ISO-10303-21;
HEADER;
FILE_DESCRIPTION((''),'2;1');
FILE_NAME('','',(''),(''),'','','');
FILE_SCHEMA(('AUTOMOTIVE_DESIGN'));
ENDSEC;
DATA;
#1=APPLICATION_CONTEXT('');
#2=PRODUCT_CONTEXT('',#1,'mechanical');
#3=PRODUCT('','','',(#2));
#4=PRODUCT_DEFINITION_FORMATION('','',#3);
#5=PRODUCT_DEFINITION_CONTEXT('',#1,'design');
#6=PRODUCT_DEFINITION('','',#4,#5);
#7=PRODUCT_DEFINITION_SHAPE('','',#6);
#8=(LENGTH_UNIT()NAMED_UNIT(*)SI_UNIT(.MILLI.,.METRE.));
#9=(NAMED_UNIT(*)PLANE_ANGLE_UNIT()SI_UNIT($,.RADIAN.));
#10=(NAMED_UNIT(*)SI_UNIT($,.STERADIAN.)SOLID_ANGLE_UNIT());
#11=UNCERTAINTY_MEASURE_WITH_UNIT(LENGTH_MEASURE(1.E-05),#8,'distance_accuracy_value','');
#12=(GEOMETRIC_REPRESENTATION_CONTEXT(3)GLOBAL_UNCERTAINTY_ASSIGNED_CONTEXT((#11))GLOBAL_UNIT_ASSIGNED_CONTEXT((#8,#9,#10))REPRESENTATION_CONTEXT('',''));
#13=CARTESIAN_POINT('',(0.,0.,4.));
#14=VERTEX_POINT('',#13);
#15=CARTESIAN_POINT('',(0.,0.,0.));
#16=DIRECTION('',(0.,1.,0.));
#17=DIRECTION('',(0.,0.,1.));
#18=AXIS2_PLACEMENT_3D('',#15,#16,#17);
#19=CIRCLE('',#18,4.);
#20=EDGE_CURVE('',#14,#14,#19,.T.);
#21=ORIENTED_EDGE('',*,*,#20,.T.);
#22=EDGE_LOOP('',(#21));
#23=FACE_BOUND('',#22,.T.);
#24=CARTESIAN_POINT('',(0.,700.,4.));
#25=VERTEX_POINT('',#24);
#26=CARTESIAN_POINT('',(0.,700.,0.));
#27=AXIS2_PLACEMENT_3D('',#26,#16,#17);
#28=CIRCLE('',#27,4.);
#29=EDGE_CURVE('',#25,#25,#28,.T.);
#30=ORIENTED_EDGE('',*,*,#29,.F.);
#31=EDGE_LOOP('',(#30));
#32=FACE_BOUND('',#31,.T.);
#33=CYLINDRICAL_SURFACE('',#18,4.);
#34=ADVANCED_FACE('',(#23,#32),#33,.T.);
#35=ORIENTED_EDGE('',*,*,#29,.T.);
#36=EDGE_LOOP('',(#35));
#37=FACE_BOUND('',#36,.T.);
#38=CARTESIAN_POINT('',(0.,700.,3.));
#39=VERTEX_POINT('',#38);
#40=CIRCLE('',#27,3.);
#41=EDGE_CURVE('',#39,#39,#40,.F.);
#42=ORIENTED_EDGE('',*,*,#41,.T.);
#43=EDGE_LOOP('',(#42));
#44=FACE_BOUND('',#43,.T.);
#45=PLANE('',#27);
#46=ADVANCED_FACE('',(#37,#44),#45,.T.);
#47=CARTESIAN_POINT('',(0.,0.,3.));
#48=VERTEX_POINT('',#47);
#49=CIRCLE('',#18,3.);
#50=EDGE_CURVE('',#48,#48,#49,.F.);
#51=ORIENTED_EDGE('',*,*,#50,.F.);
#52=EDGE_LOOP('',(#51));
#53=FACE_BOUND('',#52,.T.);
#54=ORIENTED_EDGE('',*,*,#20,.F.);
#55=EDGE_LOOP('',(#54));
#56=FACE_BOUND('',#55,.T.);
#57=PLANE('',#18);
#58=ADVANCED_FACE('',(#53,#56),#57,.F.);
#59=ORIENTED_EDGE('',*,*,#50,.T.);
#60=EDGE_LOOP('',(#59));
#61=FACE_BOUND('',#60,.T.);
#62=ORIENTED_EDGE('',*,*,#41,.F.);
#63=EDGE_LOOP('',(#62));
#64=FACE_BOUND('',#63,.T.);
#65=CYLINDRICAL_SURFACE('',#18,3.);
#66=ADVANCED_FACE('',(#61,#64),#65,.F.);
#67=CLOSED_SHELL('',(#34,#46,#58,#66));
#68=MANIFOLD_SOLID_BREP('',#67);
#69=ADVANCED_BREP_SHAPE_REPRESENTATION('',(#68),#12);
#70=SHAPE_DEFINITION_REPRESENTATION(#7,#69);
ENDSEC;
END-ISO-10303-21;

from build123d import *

# Parameters (mm, degrees)
SKETCH2_R   = 4
SKETCH2_R_2 = 3


with BuildPart() as part:
    # Sweep1: sweep along a path in Sketch1
    with BuildLine(Plane.XY) as sweep1_path:
        Line((0, 0), (0, 700))
    # Sketch2 → Sweep1 (sweep)
    with BuildSketch(Plane(origin=(0, 0, 0), x_dir=(1, 0, 0), z_dir=(0, 1, 0))):
        Circle(SKETCH2_R)
        Circle(SKETCH2_R_2, mode=Mode.SUBTRACT)
    sweep(path=sweep1_path.line)


solid = part.part
